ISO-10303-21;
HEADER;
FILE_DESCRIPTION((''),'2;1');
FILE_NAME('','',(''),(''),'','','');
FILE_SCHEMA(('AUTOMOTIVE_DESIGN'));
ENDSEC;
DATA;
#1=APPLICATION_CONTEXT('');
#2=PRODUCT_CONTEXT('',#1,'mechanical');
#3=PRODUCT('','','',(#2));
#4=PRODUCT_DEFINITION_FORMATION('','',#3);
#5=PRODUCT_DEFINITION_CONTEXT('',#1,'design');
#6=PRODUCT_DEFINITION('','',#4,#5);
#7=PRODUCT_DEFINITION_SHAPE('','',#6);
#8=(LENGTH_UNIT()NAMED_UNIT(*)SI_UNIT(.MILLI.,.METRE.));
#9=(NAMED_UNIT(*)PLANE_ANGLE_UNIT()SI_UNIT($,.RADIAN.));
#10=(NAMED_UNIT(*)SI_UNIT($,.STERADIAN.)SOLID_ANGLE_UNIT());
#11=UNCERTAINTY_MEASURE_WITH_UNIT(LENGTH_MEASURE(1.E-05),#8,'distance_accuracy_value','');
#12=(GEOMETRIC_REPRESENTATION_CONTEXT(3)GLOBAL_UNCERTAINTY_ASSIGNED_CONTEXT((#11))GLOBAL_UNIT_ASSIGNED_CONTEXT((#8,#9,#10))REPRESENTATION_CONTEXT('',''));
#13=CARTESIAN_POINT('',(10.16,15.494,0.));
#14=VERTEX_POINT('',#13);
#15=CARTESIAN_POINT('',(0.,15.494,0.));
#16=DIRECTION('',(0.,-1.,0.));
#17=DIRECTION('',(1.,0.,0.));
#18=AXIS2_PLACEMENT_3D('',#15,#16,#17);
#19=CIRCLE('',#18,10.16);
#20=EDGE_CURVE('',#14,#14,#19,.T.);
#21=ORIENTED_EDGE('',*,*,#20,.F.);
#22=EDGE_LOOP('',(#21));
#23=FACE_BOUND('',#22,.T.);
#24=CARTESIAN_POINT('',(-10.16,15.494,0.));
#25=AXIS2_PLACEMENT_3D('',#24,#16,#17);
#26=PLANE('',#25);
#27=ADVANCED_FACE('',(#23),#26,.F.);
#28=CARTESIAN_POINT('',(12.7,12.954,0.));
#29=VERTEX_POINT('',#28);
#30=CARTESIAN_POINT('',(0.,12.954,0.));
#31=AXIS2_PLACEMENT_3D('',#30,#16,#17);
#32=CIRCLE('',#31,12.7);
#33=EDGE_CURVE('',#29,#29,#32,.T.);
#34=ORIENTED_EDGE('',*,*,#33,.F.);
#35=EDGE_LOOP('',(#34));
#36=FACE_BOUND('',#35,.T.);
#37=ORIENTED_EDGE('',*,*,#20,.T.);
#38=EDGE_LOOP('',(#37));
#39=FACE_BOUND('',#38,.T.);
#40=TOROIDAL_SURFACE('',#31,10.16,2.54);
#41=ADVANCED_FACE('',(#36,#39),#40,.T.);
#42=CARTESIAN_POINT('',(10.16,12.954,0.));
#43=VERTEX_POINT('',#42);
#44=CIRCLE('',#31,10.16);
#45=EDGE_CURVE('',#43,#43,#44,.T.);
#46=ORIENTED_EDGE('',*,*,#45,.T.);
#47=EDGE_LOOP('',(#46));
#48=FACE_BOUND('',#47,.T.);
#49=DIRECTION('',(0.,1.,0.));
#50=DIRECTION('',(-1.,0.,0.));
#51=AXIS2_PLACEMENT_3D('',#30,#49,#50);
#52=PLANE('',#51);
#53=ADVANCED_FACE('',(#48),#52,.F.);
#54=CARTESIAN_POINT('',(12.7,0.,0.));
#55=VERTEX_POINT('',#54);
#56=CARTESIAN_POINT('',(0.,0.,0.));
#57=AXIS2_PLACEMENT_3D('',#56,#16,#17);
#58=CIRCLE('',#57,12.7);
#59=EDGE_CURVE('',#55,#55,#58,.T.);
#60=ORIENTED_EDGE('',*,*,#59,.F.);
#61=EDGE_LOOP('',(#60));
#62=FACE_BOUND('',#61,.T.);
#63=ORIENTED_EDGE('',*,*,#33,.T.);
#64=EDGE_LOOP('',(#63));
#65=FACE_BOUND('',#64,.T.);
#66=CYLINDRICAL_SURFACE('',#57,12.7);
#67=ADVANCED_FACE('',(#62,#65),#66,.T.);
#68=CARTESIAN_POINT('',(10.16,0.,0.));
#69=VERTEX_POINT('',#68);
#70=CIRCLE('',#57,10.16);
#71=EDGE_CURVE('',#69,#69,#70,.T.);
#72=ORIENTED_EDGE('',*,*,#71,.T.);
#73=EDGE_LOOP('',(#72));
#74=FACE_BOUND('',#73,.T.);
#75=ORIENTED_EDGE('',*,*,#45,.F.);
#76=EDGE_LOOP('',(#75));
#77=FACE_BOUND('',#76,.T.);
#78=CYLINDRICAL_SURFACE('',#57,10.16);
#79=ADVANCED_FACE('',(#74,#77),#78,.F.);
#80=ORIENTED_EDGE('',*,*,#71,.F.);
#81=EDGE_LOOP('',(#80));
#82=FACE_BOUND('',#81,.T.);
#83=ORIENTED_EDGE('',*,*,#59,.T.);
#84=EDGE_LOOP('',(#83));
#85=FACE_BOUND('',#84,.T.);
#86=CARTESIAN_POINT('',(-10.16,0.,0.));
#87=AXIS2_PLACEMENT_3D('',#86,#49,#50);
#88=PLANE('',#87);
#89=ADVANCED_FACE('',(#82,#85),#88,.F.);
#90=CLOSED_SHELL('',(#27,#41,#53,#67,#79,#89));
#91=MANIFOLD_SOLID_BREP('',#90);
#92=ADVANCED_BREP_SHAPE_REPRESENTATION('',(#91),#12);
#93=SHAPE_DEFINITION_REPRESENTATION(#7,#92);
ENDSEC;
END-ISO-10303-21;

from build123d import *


with BuildPart() as part:
    # Sketch1 → Revolve1 (revolve)
    with BuildSketch(Plane.XY):
        with BuildLine():
            Line((0, 12.954), (-10.16, 12.954))
            Line((-10.16, 12.954), (-10.16, 0))
            Line((-10.16, 0), (-12.7, 0))
            Line((-12.7, 0), (-12.7, 12.954))
            ThreePointArc((-12.7, 12.954), (-11.956051224, 14.750051224), (-10.16, 15.494))
            Line((-10.16, 15.494), (0, 15.494))
            Line((0, 15.494), (0, 12.954))
        make_face()
    revolve(axis=Axis((0, 0, 0), (0, 1, 0)))


solid = part.part
